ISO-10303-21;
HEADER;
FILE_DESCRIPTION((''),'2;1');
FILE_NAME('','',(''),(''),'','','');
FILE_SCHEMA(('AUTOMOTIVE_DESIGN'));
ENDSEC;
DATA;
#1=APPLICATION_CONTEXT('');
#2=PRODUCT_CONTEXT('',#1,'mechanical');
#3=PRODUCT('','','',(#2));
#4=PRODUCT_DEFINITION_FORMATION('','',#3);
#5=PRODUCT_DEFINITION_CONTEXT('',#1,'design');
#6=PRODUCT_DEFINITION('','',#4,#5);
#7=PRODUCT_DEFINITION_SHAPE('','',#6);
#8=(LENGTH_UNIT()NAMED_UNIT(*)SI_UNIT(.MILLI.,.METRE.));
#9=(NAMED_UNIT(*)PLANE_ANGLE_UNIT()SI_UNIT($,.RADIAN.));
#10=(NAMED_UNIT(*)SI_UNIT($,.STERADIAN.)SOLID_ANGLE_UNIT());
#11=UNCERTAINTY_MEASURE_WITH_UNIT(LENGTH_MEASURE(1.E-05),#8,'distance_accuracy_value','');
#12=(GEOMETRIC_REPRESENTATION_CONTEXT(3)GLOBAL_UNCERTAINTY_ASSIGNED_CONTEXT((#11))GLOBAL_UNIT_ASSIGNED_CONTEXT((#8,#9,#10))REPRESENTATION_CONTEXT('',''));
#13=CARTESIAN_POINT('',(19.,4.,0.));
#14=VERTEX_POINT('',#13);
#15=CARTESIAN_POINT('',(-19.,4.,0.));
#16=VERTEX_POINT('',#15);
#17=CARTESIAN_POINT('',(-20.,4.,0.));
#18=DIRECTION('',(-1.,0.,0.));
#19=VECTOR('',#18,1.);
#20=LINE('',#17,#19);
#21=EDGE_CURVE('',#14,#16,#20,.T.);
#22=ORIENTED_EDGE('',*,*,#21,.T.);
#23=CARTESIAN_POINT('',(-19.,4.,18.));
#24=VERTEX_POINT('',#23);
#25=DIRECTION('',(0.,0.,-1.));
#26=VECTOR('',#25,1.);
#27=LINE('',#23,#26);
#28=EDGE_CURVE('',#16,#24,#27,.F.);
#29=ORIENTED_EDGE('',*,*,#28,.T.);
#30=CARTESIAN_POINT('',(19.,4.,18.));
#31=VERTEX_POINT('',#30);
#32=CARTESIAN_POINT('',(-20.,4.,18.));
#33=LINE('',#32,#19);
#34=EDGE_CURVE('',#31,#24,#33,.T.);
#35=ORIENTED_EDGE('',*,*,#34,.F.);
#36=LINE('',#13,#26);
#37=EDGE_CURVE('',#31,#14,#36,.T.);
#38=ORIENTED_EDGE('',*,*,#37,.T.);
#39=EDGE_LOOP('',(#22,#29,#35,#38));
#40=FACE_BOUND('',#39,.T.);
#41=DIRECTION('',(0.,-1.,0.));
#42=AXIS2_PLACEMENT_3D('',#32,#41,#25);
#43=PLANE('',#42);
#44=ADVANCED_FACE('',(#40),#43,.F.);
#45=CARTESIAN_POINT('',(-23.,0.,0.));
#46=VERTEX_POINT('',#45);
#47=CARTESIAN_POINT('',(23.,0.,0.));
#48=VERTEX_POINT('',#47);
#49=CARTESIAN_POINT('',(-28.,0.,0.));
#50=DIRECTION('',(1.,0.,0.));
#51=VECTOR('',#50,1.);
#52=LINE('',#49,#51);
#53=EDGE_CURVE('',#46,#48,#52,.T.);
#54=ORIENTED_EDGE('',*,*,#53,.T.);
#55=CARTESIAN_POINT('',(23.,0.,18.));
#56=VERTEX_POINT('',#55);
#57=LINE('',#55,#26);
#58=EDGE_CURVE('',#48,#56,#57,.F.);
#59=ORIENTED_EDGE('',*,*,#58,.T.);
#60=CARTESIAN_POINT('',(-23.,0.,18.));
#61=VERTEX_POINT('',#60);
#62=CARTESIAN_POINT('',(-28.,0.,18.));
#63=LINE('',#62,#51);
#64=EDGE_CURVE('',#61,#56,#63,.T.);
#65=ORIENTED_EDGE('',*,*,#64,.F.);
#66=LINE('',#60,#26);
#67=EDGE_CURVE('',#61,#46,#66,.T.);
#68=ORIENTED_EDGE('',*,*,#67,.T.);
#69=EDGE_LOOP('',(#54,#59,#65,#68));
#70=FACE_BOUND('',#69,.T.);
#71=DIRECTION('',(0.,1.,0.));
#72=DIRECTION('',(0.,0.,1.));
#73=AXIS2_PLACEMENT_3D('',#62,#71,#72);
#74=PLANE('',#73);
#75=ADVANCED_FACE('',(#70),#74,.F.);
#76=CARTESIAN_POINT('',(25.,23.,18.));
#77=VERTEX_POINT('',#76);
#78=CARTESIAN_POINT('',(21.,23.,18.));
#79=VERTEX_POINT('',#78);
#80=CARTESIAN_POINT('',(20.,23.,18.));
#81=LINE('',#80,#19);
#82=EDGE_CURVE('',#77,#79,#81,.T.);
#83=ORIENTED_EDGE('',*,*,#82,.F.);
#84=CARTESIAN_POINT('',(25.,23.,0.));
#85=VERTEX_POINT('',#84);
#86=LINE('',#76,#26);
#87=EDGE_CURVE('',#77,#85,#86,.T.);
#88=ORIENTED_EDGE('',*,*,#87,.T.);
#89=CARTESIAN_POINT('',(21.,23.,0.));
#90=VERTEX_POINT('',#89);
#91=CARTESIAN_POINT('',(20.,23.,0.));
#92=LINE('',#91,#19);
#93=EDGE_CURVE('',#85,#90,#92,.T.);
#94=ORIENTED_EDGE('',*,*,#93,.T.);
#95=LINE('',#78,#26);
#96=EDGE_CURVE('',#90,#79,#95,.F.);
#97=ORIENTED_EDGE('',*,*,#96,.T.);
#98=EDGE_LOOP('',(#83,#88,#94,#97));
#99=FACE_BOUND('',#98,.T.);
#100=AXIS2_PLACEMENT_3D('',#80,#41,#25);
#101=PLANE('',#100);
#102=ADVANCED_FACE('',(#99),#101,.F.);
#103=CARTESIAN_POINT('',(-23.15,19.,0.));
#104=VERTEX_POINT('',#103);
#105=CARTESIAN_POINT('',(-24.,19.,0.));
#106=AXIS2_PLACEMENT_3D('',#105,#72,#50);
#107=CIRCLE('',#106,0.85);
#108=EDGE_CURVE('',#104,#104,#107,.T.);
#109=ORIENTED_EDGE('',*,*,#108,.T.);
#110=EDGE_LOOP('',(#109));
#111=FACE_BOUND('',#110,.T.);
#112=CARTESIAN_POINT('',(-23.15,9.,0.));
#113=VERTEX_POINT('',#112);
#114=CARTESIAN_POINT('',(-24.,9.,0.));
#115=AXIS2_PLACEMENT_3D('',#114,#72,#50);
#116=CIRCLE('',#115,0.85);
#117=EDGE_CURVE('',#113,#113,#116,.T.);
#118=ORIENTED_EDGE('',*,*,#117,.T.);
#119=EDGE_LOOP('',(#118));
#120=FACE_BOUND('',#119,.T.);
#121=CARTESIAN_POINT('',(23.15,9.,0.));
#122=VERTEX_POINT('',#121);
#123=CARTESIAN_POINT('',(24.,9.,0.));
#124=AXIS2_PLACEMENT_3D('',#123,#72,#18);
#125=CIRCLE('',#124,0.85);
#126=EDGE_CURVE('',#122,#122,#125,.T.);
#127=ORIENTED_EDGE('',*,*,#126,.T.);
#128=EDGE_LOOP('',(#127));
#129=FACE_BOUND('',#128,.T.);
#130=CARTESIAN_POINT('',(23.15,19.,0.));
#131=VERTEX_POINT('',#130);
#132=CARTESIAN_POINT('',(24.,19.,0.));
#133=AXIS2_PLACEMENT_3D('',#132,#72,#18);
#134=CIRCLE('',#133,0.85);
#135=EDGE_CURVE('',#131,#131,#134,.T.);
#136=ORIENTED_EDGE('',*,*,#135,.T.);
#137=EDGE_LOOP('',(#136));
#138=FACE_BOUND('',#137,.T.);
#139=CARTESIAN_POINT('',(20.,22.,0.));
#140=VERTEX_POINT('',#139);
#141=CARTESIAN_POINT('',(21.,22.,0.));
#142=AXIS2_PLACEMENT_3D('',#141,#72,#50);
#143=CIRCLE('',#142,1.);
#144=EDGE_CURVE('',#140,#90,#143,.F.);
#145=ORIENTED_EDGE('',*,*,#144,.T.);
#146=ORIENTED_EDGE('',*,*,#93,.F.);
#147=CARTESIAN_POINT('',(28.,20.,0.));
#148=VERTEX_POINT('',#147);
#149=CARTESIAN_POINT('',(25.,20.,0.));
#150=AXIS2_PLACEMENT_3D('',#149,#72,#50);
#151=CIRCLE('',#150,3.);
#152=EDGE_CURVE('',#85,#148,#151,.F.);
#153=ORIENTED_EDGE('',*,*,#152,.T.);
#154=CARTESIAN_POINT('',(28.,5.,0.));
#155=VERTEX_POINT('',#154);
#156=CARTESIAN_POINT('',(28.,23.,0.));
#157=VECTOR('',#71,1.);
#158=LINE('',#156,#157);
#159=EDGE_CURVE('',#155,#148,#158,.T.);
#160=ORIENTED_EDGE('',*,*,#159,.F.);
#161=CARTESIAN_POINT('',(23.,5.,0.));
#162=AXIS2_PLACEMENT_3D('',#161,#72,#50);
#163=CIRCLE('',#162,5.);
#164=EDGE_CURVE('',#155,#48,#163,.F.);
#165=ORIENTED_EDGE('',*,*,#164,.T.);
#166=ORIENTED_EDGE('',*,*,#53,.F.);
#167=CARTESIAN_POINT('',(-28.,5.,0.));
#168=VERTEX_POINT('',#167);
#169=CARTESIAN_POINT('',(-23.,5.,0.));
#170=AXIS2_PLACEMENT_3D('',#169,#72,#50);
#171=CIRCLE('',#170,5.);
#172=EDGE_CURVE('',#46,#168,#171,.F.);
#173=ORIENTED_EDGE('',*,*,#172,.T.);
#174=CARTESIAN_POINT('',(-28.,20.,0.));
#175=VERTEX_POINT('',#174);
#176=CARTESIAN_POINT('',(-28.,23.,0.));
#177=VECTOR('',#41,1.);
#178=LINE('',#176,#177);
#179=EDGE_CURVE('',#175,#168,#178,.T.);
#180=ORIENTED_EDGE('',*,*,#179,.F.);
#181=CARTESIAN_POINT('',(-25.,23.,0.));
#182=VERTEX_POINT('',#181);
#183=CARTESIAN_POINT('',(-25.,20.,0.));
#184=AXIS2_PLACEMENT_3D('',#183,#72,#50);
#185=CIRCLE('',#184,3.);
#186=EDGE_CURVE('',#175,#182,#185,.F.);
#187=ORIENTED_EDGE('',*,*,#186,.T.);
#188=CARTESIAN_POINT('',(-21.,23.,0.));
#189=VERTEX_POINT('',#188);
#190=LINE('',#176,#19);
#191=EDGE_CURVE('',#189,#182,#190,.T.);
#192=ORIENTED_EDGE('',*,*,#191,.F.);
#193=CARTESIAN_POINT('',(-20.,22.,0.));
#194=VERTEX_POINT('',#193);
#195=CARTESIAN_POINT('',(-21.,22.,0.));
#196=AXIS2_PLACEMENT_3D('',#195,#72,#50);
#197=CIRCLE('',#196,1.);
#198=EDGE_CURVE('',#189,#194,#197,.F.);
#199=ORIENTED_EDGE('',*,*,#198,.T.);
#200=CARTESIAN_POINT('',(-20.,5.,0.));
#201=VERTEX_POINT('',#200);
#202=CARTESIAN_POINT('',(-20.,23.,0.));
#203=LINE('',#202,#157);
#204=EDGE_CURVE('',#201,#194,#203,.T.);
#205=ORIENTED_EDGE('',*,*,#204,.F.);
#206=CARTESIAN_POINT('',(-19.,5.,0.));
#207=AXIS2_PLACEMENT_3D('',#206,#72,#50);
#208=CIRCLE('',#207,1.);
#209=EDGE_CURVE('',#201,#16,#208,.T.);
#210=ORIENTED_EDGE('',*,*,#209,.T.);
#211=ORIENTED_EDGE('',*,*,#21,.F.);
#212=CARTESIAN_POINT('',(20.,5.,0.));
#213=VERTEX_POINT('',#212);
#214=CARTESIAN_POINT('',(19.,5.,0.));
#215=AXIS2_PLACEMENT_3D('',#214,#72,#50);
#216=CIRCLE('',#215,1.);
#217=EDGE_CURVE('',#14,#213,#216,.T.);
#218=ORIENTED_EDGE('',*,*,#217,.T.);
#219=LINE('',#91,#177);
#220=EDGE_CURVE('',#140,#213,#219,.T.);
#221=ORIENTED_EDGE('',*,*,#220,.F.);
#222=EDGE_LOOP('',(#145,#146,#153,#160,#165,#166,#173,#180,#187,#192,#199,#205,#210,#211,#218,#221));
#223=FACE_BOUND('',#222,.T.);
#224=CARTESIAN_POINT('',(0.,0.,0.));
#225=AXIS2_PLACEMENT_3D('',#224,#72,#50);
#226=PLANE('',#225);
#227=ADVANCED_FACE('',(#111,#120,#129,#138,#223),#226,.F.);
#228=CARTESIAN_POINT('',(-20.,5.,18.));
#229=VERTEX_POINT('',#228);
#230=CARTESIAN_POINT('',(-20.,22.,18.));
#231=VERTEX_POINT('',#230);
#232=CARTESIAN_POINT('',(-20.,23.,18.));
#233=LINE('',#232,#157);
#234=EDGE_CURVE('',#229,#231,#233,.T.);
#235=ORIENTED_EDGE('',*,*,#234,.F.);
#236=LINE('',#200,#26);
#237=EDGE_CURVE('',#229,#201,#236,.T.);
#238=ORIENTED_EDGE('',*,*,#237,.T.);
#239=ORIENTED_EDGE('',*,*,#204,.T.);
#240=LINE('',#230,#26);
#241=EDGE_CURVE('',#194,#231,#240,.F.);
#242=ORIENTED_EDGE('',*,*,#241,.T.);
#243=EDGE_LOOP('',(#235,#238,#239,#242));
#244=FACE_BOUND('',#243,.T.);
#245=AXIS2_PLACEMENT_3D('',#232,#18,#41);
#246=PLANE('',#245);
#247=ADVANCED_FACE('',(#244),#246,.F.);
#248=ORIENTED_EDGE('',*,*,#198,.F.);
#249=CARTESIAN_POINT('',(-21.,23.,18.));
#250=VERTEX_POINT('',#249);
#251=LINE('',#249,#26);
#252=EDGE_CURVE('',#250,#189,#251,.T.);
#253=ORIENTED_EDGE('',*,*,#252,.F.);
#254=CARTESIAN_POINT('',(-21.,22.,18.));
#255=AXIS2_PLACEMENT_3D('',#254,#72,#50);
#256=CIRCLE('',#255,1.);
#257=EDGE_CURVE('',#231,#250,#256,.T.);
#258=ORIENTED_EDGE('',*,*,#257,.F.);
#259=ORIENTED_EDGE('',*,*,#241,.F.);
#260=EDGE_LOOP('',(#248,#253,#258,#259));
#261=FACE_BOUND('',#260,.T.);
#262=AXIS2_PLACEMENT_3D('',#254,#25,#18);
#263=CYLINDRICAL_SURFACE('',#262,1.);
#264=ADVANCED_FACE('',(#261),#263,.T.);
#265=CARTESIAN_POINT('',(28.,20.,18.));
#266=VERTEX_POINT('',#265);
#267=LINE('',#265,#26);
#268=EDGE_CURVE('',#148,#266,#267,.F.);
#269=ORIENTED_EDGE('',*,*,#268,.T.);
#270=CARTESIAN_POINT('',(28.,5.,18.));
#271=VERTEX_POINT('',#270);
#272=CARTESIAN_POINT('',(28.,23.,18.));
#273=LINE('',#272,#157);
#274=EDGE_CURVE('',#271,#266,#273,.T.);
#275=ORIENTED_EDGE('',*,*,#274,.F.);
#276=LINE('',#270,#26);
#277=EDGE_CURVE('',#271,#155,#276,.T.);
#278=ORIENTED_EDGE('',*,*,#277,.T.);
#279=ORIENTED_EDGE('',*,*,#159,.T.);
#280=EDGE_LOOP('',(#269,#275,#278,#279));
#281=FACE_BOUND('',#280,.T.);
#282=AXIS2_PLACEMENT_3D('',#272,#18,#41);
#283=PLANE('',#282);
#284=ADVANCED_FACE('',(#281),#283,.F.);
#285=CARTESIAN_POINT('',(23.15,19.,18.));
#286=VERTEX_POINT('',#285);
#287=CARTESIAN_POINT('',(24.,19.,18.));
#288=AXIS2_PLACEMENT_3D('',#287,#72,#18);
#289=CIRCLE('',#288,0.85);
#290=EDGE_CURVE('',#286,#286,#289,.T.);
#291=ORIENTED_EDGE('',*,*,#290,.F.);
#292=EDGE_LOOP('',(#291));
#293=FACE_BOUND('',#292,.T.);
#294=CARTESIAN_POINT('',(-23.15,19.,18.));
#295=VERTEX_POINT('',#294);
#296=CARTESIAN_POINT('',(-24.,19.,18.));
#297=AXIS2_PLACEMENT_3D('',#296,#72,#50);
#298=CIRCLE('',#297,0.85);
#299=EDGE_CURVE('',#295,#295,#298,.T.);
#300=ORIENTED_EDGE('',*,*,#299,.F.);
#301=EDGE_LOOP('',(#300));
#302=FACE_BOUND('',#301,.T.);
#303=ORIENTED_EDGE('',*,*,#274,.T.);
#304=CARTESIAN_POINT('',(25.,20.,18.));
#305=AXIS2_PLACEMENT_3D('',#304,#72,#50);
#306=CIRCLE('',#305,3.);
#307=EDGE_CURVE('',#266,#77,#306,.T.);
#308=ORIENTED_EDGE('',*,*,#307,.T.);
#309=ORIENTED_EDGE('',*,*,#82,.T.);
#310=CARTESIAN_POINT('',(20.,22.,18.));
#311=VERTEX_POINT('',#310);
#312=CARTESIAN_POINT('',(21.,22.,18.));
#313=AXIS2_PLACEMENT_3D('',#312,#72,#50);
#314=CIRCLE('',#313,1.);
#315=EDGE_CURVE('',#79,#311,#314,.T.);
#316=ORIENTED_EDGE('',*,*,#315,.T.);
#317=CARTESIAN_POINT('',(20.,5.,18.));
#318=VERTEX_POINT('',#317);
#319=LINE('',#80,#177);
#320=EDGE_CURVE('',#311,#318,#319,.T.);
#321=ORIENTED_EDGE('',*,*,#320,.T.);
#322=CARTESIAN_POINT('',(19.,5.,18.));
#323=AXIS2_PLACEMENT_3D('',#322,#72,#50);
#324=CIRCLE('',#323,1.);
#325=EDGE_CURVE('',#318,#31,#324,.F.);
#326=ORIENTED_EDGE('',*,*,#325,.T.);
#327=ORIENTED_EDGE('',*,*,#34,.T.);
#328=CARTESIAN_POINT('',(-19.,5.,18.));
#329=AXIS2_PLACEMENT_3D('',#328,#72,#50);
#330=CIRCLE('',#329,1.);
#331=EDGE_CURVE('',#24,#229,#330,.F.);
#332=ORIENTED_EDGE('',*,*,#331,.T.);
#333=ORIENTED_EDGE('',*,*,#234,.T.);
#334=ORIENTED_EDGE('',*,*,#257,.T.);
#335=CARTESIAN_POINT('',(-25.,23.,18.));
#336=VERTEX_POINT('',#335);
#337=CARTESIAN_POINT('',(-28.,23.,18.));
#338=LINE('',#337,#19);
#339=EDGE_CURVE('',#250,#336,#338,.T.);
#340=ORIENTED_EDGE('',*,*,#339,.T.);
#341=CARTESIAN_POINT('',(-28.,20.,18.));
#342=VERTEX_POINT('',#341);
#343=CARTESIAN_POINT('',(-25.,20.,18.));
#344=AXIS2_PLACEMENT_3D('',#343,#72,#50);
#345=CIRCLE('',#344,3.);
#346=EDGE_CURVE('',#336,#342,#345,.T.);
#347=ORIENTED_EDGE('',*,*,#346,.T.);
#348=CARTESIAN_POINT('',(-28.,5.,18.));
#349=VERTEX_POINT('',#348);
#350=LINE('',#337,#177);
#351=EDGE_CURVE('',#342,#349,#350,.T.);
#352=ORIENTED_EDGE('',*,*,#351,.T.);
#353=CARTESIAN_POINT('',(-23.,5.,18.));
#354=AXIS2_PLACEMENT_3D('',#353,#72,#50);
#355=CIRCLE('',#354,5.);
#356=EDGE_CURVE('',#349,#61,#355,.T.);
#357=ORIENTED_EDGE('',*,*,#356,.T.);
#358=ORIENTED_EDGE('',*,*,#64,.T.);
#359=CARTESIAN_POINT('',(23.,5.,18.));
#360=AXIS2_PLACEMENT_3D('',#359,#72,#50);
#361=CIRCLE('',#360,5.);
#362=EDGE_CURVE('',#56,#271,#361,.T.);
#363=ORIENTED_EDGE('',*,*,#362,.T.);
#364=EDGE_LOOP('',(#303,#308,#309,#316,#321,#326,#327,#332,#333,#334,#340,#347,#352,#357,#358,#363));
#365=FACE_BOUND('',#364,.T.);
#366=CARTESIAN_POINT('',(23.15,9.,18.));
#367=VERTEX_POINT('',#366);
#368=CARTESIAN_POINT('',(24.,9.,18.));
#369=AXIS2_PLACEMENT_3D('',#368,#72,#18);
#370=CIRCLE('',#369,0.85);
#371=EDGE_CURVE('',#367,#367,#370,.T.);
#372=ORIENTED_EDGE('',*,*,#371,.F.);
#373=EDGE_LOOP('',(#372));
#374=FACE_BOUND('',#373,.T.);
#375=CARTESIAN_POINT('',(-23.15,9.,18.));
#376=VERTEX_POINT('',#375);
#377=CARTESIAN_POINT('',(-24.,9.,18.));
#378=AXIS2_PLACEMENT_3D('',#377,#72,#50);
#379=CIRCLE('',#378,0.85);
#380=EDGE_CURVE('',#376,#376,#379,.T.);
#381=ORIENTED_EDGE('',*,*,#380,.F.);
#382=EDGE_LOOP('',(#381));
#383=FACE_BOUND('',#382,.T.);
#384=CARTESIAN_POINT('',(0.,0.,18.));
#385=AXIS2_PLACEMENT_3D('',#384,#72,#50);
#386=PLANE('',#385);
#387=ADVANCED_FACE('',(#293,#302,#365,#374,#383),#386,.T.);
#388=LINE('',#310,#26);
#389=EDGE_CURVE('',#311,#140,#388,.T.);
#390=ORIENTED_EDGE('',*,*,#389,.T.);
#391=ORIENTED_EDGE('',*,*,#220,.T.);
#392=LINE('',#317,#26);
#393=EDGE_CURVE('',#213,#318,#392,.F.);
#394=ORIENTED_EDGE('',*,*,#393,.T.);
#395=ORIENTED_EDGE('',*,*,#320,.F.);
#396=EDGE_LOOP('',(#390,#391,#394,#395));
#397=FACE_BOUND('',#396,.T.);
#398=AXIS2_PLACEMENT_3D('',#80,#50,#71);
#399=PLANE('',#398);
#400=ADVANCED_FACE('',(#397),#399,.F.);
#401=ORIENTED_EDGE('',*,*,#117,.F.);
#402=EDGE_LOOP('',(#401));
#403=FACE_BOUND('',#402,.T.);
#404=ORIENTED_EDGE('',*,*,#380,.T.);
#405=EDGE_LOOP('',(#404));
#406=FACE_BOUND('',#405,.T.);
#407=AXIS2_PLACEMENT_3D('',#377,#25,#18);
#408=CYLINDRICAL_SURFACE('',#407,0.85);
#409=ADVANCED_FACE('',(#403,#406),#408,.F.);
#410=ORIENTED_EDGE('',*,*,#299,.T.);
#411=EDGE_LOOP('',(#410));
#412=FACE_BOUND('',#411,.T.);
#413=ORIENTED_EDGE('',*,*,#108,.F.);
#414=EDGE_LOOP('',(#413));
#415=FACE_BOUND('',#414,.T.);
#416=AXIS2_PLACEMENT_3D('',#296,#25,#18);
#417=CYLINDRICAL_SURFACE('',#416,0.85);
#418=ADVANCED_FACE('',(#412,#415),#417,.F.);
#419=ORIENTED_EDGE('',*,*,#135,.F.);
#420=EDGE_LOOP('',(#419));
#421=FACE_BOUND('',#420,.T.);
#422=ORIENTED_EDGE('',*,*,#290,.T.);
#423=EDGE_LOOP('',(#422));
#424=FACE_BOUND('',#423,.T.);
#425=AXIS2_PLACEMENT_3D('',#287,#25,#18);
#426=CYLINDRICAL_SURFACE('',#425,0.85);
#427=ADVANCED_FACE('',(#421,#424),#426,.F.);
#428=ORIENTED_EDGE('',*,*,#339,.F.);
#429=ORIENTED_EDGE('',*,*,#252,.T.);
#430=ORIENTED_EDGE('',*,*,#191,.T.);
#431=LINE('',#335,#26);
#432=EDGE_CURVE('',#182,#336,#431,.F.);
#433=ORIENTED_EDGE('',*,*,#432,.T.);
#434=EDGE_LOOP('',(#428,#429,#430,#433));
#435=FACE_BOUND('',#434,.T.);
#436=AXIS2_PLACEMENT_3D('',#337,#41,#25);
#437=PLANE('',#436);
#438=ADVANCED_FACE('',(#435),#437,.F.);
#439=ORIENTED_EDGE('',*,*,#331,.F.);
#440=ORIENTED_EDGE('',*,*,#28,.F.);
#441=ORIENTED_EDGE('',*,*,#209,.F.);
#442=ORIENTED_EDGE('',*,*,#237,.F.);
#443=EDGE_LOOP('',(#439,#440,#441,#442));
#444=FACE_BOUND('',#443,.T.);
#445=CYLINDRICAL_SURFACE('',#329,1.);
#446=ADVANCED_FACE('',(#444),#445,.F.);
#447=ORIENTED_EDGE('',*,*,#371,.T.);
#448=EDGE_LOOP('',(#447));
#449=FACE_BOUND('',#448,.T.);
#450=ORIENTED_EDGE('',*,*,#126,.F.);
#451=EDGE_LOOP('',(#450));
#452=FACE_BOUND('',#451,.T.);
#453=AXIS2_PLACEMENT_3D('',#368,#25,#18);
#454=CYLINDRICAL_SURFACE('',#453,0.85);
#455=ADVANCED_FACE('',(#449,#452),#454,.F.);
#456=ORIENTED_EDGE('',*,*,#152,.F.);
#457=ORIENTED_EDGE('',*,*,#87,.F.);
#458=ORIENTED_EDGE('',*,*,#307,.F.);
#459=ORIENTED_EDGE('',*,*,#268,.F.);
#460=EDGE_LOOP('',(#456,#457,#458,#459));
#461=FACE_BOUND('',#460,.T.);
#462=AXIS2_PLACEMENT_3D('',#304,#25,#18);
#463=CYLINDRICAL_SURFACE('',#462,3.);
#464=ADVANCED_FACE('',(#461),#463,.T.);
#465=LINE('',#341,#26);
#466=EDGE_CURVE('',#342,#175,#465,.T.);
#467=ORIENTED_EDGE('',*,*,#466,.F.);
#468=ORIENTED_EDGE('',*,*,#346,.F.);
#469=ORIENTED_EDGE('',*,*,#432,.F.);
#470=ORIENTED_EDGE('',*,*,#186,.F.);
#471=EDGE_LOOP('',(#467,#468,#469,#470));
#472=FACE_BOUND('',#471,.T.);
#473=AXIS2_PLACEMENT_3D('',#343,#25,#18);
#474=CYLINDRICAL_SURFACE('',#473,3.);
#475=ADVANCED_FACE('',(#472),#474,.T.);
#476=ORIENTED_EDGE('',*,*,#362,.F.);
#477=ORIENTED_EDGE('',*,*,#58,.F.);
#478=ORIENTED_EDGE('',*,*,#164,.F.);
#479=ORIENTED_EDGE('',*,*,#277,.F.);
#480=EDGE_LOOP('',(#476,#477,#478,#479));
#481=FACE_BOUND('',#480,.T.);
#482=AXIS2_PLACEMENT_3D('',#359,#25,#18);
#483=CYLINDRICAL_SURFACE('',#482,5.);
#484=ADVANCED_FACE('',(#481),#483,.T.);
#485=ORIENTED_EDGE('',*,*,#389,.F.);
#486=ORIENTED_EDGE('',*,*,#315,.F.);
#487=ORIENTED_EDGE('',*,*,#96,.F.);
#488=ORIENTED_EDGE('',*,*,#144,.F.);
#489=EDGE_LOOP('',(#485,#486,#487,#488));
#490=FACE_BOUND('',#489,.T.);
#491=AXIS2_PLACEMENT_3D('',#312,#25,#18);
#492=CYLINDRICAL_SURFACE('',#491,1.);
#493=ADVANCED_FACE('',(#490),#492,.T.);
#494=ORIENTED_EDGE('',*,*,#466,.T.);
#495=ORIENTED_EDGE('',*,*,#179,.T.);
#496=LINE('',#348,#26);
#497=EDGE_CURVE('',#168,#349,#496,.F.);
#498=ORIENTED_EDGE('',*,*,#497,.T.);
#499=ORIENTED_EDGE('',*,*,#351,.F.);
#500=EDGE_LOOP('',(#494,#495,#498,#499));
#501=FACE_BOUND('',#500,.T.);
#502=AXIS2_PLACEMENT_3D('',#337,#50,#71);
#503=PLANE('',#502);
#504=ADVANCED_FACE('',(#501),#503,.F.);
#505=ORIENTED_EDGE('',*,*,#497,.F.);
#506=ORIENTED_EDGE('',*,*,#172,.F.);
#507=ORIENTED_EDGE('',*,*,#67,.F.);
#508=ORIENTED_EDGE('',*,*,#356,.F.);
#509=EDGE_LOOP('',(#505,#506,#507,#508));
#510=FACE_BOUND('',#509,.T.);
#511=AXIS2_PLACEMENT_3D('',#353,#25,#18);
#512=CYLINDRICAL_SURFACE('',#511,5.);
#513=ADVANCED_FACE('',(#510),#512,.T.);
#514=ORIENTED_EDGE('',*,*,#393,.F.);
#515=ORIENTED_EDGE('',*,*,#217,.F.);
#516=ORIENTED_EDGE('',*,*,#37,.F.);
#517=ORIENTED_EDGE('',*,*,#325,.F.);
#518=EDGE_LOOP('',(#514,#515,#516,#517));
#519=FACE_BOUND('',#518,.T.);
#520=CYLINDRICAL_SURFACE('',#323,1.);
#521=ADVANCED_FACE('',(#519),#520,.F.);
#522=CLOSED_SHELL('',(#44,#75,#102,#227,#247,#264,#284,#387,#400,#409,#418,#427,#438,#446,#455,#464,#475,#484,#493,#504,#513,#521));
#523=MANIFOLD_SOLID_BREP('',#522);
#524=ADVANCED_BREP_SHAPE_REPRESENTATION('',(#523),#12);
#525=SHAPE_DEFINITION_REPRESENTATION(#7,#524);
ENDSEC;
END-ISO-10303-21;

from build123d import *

# Parameters (mm, degrees)
ESQUISSE1_R        = 0.85
BOSS_EXTRU_1_DEPTH = 18
CONG_1_R           = 1
CONG_2_R           = 3
CONG_3_R           = 5


with BuildPart() as part:
    # Esquisse1 → Boss.-Extru.1 (new body)
    with BuildSketch(Plane.XY):
        Polygon((20, 23), (28, 23), (28, 0), (-28, 0), (-28, 23), (-20, 23), (-20, 4), (20, 4), align=None)
        with Locations((-24, 19)):
            Circle(ESQUISSE1_R, mode=Mode.SUBTRACT)
        with Locations((-24, 9)):
            Circle(ESQUISSE1_R, mode=Mode.SUBTRACT)
        with Locations(Location((24, 9, 0), (0, 0, 180))):
            Circle(ESQUISSE1_R, mode=Mode.SUBTRACT)
        with Locations(Location((24, 19, 0), (0, 0, 180))):
            Circle(ESQUISSE1_R, mode=Mode.SUBTRACT)
    extrude(amount=BOSS_EXTRU_1_DEPTH)

    # Congé1
    cong_1_edges = [part.edges().sort_by_distance(p)[0] for p in [
        (-20, 23, 9),
        (-20, 4, 9),
        (20, 4, 9),
        (20, 23, 9),
    ]]
    fillet(cong_1_edges, radius=CONG_1_R)

    # Congé2
    cong_2_edges = [part.edges().sort_by_distance(p)[0] for p in [
        (-28, 23, 9),
        (28, 23, 9),
    ]]
    fillet(cong_2_edges, radius=CONG_2_R)

    # Congé3
    cong_3_edges = [part.edges().sort_by_distance(p)[0] for p in [
        (28, 0, 9),
        (-28, 0, 9),
    ]]
    fillet(cong_3_edges, radius=CONG_3_R)


solid = part.part
